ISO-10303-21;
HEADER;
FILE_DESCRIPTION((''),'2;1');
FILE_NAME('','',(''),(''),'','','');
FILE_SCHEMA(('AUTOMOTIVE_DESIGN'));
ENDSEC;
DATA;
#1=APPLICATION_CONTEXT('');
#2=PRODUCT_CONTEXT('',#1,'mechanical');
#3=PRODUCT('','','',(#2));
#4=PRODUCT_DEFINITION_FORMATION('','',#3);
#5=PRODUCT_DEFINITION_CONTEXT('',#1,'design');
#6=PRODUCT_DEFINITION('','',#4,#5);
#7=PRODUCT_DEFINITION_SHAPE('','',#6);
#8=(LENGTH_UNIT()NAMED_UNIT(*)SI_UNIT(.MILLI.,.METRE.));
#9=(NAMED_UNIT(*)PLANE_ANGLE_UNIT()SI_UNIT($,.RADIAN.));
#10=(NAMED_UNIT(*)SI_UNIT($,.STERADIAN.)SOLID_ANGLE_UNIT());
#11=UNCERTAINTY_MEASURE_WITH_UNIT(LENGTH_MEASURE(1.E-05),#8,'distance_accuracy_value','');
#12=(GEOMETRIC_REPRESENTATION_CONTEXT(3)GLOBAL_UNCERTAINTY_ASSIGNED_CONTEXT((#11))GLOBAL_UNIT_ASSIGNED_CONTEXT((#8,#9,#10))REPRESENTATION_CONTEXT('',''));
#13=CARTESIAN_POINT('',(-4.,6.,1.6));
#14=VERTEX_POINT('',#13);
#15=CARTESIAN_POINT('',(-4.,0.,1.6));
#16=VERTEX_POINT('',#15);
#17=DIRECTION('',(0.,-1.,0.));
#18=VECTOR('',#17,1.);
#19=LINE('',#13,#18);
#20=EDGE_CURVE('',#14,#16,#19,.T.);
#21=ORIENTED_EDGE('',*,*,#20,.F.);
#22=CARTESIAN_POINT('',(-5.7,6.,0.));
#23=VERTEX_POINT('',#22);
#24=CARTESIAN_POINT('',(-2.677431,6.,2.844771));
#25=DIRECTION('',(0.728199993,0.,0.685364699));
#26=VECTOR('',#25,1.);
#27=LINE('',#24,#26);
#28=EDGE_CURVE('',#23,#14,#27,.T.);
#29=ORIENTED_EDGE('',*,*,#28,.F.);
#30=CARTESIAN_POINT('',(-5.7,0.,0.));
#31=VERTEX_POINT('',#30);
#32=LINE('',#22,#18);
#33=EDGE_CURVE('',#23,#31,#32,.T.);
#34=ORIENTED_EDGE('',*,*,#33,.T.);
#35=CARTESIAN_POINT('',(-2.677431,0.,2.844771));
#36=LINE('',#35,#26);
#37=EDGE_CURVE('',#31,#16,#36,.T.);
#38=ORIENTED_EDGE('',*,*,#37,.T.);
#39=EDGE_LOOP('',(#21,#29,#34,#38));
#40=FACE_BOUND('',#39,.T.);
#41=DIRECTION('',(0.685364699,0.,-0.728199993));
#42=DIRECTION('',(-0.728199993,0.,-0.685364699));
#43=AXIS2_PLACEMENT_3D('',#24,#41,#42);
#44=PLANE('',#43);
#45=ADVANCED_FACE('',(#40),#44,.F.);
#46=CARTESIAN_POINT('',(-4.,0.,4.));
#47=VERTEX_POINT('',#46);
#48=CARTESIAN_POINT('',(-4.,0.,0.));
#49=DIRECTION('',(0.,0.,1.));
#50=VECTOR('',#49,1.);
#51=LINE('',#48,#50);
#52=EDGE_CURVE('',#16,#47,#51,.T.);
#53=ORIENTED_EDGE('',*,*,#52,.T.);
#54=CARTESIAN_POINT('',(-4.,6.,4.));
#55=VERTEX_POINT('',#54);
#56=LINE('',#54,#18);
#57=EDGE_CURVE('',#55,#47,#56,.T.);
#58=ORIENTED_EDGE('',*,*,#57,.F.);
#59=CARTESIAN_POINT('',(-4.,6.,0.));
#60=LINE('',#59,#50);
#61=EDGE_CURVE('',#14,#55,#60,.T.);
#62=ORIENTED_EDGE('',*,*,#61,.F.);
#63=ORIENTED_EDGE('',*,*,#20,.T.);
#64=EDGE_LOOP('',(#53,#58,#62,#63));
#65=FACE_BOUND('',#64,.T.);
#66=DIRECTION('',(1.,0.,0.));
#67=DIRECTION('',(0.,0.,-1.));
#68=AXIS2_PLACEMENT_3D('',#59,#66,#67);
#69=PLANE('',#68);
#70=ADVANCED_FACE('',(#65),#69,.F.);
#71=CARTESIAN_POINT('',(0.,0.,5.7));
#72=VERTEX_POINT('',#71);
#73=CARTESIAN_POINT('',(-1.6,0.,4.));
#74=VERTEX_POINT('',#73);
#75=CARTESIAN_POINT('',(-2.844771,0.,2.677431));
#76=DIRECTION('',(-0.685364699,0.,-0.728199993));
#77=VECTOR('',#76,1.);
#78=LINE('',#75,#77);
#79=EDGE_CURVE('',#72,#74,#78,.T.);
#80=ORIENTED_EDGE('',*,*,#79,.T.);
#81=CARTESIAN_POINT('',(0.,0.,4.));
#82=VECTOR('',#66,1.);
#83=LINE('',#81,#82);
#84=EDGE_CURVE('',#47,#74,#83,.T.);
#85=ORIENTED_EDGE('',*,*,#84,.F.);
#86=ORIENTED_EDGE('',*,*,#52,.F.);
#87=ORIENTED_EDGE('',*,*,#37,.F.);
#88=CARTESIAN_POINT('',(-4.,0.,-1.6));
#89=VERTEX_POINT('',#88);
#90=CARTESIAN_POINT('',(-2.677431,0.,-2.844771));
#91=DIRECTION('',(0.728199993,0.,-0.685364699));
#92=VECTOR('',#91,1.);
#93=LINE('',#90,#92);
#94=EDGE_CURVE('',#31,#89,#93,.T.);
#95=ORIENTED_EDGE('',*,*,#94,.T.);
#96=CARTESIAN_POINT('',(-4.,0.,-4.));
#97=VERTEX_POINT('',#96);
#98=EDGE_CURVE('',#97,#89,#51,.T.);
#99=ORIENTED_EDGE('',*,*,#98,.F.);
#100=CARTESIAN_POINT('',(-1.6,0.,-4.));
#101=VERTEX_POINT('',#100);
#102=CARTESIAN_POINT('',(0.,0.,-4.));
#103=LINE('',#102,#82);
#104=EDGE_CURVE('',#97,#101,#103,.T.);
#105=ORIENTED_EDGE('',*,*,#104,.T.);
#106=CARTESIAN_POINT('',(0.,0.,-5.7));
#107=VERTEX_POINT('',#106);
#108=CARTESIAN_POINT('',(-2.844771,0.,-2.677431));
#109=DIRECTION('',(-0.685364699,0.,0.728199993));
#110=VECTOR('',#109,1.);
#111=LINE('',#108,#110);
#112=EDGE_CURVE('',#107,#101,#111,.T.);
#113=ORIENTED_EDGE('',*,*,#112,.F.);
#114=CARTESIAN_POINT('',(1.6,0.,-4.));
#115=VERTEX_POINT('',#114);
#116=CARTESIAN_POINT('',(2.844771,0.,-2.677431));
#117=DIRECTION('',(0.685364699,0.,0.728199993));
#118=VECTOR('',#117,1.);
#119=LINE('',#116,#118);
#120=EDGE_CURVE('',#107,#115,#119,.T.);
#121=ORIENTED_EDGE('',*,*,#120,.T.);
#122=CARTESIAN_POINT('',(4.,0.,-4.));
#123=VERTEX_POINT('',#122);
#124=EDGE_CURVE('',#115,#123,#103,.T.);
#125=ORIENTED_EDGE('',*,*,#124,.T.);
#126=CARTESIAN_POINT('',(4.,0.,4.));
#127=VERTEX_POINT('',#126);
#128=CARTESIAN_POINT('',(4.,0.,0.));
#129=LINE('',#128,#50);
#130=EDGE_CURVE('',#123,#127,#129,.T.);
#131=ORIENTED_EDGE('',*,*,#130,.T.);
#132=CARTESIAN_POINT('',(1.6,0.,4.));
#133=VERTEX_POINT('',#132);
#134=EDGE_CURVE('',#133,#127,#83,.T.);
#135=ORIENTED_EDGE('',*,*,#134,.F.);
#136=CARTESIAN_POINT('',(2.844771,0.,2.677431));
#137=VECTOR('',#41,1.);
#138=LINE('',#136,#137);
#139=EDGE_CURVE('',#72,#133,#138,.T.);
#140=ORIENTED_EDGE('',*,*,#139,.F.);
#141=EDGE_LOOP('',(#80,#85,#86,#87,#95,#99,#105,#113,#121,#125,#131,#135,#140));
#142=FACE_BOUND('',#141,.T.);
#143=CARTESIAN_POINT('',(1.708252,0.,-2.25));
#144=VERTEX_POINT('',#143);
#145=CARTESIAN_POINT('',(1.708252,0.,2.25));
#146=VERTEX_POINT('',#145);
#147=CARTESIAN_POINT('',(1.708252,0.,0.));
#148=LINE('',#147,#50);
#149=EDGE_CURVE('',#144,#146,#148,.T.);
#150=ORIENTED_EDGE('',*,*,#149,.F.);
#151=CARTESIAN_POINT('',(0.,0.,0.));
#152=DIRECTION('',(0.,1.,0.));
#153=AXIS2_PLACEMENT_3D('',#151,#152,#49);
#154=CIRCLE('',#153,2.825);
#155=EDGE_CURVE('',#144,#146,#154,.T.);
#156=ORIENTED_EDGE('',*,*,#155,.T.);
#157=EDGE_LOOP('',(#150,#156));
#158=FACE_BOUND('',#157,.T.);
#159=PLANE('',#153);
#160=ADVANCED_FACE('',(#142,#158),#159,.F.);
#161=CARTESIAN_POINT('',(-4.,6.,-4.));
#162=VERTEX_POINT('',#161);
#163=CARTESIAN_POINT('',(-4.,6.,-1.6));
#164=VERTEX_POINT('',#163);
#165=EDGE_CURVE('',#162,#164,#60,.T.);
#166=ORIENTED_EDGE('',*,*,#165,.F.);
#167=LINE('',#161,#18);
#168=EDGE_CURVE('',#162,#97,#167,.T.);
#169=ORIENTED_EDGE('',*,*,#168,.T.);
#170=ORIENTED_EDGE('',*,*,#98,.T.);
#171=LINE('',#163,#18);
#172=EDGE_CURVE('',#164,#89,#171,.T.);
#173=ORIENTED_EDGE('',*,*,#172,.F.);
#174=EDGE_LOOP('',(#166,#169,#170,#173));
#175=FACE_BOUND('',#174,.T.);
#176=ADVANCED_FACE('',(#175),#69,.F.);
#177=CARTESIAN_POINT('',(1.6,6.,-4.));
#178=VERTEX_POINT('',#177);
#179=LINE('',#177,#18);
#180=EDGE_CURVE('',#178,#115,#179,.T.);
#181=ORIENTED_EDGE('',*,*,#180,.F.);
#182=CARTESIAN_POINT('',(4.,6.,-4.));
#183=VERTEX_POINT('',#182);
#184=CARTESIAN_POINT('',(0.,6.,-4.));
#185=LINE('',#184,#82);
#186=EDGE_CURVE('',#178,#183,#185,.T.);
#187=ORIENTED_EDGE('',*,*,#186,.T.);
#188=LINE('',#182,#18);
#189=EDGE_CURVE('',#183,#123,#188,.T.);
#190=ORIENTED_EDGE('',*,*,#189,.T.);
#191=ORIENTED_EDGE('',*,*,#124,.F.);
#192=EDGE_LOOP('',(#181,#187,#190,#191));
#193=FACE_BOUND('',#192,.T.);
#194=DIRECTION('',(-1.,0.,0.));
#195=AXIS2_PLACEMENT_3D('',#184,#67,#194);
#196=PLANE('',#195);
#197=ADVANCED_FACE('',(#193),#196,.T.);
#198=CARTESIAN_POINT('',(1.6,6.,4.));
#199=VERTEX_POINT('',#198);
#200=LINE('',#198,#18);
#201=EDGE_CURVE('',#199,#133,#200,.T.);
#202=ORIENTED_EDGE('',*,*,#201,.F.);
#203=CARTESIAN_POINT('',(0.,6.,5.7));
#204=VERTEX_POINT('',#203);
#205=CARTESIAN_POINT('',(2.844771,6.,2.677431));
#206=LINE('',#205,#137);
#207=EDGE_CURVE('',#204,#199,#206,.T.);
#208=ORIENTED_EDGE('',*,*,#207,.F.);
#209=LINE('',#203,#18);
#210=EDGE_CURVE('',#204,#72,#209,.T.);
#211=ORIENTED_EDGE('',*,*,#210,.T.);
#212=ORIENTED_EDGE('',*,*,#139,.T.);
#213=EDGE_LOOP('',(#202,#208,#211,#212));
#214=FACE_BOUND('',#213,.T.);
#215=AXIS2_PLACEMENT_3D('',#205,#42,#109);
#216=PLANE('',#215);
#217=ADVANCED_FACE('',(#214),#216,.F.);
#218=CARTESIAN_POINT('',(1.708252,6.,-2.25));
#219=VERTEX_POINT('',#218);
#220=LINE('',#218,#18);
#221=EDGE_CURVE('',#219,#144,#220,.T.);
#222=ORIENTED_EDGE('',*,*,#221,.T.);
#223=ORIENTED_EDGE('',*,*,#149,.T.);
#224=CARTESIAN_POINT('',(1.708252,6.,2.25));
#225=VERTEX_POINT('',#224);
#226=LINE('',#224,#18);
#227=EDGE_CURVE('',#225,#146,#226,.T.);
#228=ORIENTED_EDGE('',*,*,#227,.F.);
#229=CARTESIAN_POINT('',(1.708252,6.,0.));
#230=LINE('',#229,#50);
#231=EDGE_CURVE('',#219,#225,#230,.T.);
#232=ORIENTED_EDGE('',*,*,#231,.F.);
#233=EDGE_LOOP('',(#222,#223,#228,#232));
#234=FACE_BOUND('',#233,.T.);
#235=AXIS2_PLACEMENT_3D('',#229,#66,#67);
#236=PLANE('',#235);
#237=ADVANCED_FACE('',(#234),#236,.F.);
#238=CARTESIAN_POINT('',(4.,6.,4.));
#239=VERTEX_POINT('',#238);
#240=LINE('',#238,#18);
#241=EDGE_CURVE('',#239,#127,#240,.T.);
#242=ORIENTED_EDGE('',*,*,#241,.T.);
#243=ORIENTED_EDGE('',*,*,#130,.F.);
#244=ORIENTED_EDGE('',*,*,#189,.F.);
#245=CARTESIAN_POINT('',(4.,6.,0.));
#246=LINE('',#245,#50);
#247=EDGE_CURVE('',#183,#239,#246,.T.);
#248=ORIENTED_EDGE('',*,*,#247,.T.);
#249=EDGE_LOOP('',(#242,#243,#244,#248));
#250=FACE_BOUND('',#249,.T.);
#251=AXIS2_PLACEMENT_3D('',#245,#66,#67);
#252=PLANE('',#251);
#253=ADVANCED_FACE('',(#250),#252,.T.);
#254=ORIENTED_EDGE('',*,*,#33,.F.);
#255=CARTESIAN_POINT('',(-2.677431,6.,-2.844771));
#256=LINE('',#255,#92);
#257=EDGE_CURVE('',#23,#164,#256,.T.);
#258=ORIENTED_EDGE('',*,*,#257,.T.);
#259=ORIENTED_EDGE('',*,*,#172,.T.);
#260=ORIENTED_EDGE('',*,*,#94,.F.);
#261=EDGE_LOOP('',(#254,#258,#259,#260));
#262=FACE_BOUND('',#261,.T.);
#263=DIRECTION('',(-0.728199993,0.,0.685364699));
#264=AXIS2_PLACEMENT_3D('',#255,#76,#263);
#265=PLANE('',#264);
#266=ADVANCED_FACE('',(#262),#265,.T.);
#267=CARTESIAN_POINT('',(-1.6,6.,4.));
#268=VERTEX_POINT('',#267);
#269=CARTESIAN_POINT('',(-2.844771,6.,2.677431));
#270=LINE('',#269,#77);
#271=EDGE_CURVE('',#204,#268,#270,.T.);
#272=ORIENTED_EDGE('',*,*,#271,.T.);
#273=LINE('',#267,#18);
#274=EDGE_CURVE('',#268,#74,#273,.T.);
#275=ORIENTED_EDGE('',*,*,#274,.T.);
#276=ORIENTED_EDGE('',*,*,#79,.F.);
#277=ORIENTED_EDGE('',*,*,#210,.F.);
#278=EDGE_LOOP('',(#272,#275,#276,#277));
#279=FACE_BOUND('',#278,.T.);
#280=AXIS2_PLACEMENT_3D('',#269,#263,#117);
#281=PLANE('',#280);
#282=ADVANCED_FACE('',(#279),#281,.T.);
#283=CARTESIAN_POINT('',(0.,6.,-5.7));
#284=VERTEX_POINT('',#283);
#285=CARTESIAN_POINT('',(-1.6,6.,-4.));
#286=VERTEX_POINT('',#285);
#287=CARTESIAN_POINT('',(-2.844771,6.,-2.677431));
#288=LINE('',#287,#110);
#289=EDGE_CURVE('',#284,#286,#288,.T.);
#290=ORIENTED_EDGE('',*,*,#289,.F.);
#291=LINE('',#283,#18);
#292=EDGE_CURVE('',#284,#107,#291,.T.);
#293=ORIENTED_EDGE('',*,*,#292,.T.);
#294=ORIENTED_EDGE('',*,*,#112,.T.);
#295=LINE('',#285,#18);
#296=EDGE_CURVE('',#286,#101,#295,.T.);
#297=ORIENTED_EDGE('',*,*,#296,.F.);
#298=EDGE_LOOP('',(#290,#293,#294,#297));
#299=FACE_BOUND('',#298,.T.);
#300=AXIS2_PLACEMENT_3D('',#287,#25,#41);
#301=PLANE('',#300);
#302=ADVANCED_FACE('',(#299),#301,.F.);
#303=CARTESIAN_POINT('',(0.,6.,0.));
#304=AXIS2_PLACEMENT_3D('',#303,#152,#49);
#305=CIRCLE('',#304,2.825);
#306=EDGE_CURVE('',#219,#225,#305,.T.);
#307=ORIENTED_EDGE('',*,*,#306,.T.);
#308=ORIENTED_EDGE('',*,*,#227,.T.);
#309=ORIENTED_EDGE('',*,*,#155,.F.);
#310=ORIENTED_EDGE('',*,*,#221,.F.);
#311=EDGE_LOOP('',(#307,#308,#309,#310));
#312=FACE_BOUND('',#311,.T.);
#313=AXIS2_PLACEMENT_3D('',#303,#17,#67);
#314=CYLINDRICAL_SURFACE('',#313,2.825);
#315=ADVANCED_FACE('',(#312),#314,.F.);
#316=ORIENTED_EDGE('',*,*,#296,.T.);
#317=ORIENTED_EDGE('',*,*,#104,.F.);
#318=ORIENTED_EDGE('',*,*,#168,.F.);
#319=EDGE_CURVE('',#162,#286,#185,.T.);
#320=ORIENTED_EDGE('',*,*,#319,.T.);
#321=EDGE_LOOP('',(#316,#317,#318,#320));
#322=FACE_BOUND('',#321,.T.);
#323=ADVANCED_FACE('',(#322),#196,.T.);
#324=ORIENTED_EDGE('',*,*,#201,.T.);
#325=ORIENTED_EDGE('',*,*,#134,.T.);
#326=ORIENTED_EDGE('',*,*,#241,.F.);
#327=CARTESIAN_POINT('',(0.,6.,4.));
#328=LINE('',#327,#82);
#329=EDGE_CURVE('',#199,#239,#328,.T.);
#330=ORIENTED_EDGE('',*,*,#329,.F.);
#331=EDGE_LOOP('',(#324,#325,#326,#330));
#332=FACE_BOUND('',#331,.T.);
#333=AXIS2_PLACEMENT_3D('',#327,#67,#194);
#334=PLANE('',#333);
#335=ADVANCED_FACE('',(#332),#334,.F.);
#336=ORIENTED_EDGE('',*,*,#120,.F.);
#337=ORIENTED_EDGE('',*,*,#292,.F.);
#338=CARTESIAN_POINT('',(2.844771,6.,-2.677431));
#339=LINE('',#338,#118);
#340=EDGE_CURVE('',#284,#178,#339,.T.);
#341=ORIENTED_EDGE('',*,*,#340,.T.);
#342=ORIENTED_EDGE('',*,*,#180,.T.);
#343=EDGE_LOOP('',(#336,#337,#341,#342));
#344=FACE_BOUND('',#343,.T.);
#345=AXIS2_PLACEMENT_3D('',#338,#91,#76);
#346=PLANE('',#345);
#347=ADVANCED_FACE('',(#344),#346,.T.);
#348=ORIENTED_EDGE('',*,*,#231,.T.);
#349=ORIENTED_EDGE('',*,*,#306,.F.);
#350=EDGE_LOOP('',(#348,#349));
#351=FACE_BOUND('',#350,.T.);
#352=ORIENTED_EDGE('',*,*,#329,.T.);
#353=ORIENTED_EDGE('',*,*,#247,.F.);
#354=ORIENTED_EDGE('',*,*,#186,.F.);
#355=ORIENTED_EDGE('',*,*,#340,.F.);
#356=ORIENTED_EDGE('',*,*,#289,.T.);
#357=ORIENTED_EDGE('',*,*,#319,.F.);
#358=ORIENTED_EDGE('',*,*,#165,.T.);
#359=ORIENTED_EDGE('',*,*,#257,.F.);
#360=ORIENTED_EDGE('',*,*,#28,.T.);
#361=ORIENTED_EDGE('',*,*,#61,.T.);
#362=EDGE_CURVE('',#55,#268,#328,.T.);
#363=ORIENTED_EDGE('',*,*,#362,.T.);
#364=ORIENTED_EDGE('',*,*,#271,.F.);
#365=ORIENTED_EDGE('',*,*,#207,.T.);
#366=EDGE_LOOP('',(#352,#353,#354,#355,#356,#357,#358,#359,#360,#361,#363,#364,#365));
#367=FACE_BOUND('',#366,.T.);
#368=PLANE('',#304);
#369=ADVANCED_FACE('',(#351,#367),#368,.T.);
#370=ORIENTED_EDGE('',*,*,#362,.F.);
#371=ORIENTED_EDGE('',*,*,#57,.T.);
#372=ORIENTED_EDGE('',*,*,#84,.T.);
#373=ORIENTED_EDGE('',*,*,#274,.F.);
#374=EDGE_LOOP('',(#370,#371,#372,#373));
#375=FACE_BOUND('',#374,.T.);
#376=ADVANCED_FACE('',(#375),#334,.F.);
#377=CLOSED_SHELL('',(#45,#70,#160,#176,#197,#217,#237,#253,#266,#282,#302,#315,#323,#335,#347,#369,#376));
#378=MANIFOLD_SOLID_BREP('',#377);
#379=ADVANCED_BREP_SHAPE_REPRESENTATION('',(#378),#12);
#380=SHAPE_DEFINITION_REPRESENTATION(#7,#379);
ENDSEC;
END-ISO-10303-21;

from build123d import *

# Parameters (mm, degrees)
ESQUISSE1_W        = 8
ESQUISSE1_H        = 8
ESQUISSE1_R        = 2.825
BOSS_EXTRU_1_DEPTH = 6


with BuildPart() as part:
    # Esquisse1 → Boss.-Extru.1 (new body)
    # profile 1 of 6: a face of its own
    with BuildSketch(Plane(origin=(0, 0, 0), x_dir=(1, 0, 0), z_dir=(0, 1, 0))):
        Rectangle(ESQUISSE1_W, ESQUISSE1_H)
        Circle(ESQUISSE1_R, mode=Mode.SUBTRACT)
    # profile 2 of 6: a face of its own
    with BuildSketch(Plane(origin=(0, 0, 0), x_dir=(1, 0, 0), z_dir=(0, 1, 0))):
        Polygon((1.6, -4), (-1.6, -4), (0, -5.7), align=None)
    # profile 3 of 6: a face of its own
    with BuildSketch(Plane(origin=(0, 0, 0), x_dir=(1, 0, 0), z_dir=(0, 1, 0))):
        Polygon((-1.6, 4), (-4, 4), (-4, 1.6), (-4, -1.6), (-4, -4), (-1.6, -4), (1.6, -4), (4, -4), (4, 4), (1.6, 4), align=None)
        with BuildLine():
            ThreePointArc((1.708252031, -2.25), (-2.825, 0), (1.708252031, 2.25))
            ThreePointArc((1.708252031, 2.25), (2.530458159, 1.255948449), (2.825, 0))
            ThreePointArc((2.825, 0), (2.530458159, -1.255948449), (1.708252031, -2.25))
        make_face(mode=Mode.SUBTRACT)
    # profile 4 of 6: a face of its own
    with BuildSketch(Plane(origin=(0, 0, 0), x_dir=(1, 0, 0), z_dir=(0, 1, 0))):
        with BuildLine():
            ThreePointArc((2.825, 0), (2.530458159, 1.255948449), (1.708252031, 2.25))
            Line((1.708252031, 2.25), (1.708252031, -2.25))
            ThreePointArc((1.708252031, -2.25), (2.530458159, -1.255948449), (2.825, 0))
        make_face()
    # profile 5 of 6: a face of its own
    with BuildSketch(Plane(origin=(0, 0, 0), x_dir=(1, 0, 0), z_dir=(0, 1, 0))):
        Polygon((-4, -1.6), (-4, 1.6), (-5.7, 0), align=None)
    # profile 6 of 6: a face of its own
    with BuildSketch(Plane(origin=(0, 0, 0), x_dir=(1, 0, 0), z_dir=(0, 1, 0))):
        Polygon((0, 5.7), (-1.6, 4), (1.6, 4), align=None)
    extrude(amount=BOSS_EXTRU_1_DEPTH)


solid = part.part
